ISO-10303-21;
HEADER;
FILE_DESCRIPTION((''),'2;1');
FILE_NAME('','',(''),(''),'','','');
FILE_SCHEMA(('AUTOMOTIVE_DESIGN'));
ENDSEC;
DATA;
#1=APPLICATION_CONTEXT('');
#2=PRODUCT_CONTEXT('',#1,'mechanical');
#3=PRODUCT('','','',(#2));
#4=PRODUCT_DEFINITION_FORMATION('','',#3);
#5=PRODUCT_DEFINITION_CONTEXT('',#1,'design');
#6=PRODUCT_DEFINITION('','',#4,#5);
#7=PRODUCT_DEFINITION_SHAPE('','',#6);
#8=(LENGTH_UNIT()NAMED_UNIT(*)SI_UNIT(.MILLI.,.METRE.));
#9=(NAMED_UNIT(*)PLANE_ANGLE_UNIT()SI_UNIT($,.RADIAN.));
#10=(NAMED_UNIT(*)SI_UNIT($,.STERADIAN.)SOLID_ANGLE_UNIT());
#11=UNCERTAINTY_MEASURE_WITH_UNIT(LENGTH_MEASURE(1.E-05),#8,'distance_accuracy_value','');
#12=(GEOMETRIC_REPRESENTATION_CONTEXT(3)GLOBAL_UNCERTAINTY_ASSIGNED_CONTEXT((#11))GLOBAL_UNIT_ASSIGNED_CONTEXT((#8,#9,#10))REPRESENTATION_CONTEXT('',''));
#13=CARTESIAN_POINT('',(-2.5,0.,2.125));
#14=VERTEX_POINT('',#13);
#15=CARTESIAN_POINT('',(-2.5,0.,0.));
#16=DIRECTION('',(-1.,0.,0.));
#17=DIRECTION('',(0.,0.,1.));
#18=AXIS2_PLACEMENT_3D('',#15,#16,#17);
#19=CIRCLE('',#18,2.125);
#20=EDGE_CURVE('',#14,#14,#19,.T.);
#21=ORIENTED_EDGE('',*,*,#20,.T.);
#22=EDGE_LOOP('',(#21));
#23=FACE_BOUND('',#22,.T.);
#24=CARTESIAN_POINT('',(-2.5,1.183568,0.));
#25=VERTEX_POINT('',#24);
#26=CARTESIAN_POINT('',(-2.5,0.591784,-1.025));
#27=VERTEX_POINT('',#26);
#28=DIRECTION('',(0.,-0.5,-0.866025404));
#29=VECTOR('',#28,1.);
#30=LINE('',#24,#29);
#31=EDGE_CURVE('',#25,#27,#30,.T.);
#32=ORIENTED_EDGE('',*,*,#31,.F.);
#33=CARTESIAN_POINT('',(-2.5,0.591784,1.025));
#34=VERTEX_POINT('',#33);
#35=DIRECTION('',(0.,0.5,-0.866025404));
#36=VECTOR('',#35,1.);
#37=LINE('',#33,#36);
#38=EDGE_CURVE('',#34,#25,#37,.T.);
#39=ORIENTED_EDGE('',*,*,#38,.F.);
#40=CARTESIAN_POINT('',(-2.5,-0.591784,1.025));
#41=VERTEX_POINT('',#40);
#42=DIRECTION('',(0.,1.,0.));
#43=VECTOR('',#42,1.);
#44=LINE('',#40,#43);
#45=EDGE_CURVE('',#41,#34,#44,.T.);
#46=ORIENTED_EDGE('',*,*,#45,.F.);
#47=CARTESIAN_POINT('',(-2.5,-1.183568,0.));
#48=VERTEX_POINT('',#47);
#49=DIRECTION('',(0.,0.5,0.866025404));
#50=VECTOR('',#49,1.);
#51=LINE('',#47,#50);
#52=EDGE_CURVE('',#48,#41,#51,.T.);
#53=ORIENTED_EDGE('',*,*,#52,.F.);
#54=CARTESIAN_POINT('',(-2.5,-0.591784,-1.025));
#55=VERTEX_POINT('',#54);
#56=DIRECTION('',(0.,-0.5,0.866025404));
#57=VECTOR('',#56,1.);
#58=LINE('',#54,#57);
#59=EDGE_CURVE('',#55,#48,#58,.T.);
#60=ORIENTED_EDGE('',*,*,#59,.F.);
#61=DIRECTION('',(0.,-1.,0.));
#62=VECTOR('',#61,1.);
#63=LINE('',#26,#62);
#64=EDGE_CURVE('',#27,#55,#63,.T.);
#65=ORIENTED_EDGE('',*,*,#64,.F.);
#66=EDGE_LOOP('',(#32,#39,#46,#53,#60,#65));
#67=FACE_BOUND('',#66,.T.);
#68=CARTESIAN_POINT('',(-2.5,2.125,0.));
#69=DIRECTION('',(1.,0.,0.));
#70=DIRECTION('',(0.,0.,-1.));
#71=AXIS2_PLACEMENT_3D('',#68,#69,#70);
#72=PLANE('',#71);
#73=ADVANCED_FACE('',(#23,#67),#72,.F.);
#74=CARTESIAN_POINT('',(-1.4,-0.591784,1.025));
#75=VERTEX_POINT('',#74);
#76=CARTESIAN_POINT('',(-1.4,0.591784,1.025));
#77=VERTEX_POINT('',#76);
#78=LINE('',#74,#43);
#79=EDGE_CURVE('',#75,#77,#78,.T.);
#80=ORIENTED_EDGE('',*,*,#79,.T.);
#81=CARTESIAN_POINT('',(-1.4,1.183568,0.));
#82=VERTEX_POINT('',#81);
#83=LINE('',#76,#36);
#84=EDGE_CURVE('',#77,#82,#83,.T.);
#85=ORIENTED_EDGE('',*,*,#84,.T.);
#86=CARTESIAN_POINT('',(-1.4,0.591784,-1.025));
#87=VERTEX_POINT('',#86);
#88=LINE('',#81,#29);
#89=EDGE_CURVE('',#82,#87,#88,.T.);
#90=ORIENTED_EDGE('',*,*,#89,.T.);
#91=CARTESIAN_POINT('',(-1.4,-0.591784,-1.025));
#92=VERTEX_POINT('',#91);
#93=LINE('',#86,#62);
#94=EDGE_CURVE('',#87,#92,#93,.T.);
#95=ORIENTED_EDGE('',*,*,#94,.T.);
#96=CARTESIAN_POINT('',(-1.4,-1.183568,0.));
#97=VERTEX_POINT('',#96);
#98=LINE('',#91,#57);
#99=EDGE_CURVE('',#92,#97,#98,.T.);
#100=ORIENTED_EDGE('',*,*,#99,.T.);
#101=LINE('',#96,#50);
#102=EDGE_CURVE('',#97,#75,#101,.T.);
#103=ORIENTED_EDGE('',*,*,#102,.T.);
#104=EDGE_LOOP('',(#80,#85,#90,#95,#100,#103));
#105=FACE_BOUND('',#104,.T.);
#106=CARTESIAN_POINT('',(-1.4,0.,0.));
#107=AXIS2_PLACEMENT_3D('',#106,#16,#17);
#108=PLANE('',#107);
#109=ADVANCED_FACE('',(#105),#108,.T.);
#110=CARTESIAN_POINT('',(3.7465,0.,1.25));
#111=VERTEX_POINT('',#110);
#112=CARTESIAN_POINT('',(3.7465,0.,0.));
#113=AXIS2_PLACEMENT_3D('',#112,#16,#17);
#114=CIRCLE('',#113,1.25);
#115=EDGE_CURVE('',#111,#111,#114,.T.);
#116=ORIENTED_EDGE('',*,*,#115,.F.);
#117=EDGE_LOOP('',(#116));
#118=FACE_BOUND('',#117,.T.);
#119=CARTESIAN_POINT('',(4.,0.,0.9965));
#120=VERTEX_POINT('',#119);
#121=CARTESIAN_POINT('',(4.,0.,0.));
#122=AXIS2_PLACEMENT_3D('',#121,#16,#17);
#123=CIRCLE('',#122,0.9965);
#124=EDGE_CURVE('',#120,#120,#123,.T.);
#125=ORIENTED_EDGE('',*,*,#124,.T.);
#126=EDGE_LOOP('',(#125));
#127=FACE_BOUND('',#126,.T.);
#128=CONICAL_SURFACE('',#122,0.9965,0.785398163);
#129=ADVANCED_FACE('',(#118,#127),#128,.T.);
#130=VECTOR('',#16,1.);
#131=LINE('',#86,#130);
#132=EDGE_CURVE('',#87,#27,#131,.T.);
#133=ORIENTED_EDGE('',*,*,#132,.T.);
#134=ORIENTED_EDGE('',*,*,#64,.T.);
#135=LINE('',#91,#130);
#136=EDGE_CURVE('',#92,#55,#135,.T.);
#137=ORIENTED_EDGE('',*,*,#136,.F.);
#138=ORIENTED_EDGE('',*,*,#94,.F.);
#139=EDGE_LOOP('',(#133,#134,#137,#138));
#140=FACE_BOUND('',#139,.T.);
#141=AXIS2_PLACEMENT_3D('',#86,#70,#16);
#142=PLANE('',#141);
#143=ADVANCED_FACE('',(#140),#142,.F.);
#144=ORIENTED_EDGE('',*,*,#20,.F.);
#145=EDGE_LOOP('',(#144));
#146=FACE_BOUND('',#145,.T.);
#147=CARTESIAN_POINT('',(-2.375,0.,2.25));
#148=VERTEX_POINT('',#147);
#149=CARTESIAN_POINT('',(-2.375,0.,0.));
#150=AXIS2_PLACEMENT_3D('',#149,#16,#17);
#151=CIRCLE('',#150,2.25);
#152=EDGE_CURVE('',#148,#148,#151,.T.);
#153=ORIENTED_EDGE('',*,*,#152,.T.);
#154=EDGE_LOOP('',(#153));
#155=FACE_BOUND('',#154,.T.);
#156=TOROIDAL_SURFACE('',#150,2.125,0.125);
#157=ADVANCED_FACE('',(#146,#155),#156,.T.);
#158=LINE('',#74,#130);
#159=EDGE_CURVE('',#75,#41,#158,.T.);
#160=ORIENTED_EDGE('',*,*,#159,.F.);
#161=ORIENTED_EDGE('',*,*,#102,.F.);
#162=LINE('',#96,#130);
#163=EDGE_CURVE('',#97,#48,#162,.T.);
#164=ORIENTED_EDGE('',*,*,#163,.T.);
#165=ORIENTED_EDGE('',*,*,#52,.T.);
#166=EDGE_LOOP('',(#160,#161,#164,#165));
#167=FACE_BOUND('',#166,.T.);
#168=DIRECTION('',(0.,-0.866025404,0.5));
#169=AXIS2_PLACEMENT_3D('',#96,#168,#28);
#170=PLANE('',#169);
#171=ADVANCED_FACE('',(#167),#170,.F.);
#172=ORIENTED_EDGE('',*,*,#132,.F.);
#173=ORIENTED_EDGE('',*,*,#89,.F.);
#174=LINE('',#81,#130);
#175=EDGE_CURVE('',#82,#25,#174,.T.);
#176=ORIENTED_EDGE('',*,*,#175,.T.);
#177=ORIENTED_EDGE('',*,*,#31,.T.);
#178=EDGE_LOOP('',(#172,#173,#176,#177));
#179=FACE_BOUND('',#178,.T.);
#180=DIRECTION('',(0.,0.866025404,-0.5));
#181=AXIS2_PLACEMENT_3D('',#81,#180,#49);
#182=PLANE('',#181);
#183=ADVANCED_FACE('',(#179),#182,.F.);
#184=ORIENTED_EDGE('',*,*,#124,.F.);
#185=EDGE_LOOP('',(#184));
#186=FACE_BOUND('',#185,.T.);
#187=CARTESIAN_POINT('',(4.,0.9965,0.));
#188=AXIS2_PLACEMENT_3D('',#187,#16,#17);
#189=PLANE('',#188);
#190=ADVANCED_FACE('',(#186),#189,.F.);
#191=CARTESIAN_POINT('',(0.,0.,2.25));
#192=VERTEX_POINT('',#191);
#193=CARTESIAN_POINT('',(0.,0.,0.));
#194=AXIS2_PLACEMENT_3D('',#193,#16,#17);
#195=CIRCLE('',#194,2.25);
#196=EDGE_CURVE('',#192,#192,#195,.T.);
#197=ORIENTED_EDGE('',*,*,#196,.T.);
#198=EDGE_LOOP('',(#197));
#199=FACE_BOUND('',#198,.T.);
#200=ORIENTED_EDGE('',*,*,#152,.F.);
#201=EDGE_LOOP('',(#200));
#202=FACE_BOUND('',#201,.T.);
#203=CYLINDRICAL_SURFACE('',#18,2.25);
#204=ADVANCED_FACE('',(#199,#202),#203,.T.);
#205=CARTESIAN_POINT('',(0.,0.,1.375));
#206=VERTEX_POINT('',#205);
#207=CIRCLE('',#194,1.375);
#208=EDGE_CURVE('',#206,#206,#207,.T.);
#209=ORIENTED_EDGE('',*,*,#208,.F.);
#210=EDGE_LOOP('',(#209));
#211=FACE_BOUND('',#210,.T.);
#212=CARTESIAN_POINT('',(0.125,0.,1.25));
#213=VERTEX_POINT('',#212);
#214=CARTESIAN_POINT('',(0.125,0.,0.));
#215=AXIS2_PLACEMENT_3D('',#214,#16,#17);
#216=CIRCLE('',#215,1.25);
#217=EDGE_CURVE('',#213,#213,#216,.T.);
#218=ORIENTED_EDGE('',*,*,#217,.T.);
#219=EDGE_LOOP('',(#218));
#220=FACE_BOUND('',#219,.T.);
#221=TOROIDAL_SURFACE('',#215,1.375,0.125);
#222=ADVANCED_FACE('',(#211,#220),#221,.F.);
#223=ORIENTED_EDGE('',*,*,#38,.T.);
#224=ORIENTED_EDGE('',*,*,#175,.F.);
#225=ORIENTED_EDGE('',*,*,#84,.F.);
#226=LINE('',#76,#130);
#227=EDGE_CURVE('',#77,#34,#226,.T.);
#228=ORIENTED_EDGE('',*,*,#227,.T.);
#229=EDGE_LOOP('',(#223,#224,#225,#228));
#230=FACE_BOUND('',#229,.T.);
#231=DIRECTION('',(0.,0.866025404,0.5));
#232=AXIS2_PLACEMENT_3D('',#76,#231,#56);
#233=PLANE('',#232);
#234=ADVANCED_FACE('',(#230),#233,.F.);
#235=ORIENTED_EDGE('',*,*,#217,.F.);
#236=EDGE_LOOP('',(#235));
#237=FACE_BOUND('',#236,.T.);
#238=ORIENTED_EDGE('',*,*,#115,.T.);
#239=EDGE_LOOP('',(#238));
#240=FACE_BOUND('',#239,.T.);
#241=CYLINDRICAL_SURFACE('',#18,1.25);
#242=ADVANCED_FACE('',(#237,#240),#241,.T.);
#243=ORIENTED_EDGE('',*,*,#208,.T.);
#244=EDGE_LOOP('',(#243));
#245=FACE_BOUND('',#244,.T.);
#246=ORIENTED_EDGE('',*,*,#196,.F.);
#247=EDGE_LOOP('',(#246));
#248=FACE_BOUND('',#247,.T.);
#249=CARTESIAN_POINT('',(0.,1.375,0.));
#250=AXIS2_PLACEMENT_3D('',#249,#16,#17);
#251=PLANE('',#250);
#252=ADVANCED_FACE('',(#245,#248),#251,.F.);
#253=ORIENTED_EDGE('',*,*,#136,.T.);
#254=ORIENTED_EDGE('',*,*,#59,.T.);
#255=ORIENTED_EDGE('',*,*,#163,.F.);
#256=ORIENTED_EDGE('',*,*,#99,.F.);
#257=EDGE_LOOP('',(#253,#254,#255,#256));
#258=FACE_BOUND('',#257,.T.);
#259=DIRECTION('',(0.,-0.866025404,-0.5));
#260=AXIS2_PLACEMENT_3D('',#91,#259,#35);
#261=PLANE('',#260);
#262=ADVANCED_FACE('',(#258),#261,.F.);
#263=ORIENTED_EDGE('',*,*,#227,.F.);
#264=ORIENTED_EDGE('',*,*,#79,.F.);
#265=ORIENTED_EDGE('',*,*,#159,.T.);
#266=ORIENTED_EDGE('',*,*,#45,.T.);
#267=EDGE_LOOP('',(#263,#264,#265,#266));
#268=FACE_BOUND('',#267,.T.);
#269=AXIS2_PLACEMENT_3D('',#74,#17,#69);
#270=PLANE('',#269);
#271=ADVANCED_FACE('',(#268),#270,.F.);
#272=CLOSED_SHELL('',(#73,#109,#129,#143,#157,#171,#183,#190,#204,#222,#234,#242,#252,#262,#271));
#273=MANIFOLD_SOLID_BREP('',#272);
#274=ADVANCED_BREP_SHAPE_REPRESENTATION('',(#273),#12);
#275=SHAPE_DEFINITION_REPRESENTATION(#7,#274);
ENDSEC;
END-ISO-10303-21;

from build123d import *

# Parameters (mm, degrees)
CUT_EXTRUDE1_DEPTH = 1.1


with BuildPart() as part:
    # Sketch1 → Revolve1 (revolve)
    with BuildSketch(Plane.XY):
        with BuildLine():
            Line((3.7465, 1.25), (0.125, 1.25))
            ThreePointArc((0.125, 1.25), (0.036611652, 1.286611652), (0, 1.375))
            Line((0, 1.375), (0, 2.25))
            Line((0, 2.25), (-2.375, 2.25))
            ThreePointArc((-2.375, 2.25), (-2.463388348, 2.213388348), (-2.5, 2.125))
            Line((-2.5, 2.125), (-2.5, 0))
            Line((-2.5, 0), (4, 0))
            Line((4, 0), (4, 0.9965))
            Line((4, 0.9965), (3.7465, 1.25))
        make_face()
    revolve(axis=Axis((-2.5, 0, 0), (1, 0, 0)))

    # Sketch2 → Cut-Extrude1 (cut)
    with BuildSketch(Plane.ZY.offset(2.5)):
        Polygon((1.025, 0.591784026), (0, 1.183568052), (-1.025, 0.591784026), (-1.025, -0.591784026), (0, -1.183568052), (1.025, -0.591784026), align=None)
    extrude(amount=-CUT_EXTRUDE1_DEPTH, mode=Mode.SUBTRACT)


solid = part.part
